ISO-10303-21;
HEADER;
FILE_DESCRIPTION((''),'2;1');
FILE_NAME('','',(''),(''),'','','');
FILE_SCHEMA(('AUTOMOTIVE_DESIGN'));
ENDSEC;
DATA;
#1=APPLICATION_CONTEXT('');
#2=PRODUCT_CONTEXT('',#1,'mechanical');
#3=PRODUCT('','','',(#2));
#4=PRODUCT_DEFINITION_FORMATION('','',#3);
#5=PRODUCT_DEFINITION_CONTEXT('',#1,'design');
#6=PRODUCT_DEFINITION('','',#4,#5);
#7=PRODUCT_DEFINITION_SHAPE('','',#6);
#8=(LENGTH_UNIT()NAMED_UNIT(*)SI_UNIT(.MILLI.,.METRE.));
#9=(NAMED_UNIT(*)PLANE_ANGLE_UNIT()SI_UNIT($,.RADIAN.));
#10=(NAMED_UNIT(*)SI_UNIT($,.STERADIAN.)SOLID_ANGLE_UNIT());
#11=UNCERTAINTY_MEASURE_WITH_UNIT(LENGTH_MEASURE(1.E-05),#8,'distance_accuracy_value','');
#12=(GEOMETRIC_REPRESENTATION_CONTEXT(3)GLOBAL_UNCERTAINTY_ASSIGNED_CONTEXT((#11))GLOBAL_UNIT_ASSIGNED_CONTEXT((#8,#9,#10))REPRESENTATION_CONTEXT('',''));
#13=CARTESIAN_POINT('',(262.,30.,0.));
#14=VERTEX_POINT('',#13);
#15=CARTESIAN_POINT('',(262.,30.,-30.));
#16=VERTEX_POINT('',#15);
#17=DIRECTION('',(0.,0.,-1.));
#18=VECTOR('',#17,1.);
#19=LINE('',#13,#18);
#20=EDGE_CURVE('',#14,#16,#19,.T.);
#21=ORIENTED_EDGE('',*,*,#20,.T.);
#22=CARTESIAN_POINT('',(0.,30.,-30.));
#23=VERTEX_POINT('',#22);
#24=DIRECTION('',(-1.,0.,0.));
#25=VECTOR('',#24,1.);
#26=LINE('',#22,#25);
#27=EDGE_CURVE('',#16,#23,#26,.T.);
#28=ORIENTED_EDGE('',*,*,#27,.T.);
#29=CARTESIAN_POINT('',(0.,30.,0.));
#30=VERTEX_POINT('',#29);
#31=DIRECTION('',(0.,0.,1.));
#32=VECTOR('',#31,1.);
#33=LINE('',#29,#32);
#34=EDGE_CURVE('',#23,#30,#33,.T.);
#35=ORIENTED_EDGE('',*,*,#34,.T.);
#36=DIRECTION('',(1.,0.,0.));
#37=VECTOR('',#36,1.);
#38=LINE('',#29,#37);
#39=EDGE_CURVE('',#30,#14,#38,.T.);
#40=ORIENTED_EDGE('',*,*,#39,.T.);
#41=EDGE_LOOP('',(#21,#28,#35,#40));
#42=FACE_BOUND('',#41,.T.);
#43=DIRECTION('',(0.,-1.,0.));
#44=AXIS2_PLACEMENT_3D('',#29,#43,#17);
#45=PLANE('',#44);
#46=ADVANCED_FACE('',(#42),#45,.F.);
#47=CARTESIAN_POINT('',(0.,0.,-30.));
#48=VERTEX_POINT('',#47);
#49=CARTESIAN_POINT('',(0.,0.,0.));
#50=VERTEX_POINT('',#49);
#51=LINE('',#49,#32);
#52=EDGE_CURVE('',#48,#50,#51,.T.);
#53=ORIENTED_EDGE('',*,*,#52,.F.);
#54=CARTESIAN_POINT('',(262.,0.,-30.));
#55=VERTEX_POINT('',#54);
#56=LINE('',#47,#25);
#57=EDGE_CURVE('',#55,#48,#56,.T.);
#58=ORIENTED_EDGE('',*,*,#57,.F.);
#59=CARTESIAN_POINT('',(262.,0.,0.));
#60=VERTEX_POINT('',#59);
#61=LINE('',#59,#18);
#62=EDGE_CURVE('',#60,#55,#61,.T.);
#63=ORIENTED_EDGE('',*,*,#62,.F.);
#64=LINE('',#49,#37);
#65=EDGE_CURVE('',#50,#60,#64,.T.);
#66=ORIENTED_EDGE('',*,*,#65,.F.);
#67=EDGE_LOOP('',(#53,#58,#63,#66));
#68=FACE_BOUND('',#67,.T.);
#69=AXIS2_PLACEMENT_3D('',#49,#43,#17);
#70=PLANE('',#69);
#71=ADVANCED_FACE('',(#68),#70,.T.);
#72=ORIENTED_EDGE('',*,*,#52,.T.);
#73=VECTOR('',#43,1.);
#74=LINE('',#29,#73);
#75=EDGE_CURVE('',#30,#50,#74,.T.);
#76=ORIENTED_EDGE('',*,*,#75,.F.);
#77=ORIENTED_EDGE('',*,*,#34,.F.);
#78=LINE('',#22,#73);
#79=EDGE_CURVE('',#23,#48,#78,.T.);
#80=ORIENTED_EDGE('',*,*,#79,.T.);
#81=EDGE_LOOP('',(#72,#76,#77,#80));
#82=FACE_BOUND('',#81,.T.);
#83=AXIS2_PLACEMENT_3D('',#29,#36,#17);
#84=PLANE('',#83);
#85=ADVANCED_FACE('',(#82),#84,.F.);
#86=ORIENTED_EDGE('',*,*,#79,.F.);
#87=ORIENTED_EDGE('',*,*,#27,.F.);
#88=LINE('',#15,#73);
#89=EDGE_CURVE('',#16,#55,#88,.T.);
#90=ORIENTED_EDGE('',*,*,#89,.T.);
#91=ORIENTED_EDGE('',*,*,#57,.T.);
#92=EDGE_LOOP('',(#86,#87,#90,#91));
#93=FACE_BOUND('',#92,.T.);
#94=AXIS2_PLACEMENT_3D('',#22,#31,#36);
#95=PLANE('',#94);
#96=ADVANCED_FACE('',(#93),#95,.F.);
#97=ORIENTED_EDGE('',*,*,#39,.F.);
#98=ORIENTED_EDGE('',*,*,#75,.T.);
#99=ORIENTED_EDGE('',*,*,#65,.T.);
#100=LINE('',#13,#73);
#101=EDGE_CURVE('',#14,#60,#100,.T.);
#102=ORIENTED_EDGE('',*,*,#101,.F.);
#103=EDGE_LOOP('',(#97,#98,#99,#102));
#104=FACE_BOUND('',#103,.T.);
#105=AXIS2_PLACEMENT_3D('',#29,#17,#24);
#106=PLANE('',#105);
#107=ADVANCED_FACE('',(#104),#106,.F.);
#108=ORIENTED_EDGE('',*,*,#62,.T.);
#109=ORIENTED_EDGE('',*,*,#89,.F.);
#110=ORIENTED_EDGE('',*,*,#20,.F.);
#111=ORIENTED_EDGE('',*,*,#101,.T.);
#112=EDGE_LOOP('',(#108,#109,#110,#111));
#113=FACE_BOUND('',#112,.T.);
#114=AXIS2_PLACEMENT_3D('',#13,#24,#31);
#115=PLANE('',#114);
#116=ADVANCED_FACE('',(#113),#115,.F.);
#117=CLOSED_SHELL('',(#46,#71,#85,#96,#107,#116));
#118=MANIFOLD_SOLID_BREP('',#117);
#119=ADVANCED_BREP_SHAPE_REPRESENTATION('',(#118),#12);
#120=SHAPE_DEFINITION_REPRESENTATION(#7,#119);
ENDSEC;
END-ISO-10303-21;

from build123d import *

# Parameters (mm, degrees)
SKETCH_1_W      = 262
SKETCH_1_H      = 30
EXTRUDE_1_DEPTH = 30


with BuildPart() as part:
    # 스케치1 → 보스-돌출1 (new body)
    with BuildSketch(Plane(origin=(0, 0, 0), x_dir=(1, 0, 0), z_dir=(0, 1, 0))):
        with Locations((131, 15)):
            Rectangle(SKETCH_1_W, SKETCH_1_H)
    extrude(amount=EXTRUDE_1_DEPTH)


solid = part.part
